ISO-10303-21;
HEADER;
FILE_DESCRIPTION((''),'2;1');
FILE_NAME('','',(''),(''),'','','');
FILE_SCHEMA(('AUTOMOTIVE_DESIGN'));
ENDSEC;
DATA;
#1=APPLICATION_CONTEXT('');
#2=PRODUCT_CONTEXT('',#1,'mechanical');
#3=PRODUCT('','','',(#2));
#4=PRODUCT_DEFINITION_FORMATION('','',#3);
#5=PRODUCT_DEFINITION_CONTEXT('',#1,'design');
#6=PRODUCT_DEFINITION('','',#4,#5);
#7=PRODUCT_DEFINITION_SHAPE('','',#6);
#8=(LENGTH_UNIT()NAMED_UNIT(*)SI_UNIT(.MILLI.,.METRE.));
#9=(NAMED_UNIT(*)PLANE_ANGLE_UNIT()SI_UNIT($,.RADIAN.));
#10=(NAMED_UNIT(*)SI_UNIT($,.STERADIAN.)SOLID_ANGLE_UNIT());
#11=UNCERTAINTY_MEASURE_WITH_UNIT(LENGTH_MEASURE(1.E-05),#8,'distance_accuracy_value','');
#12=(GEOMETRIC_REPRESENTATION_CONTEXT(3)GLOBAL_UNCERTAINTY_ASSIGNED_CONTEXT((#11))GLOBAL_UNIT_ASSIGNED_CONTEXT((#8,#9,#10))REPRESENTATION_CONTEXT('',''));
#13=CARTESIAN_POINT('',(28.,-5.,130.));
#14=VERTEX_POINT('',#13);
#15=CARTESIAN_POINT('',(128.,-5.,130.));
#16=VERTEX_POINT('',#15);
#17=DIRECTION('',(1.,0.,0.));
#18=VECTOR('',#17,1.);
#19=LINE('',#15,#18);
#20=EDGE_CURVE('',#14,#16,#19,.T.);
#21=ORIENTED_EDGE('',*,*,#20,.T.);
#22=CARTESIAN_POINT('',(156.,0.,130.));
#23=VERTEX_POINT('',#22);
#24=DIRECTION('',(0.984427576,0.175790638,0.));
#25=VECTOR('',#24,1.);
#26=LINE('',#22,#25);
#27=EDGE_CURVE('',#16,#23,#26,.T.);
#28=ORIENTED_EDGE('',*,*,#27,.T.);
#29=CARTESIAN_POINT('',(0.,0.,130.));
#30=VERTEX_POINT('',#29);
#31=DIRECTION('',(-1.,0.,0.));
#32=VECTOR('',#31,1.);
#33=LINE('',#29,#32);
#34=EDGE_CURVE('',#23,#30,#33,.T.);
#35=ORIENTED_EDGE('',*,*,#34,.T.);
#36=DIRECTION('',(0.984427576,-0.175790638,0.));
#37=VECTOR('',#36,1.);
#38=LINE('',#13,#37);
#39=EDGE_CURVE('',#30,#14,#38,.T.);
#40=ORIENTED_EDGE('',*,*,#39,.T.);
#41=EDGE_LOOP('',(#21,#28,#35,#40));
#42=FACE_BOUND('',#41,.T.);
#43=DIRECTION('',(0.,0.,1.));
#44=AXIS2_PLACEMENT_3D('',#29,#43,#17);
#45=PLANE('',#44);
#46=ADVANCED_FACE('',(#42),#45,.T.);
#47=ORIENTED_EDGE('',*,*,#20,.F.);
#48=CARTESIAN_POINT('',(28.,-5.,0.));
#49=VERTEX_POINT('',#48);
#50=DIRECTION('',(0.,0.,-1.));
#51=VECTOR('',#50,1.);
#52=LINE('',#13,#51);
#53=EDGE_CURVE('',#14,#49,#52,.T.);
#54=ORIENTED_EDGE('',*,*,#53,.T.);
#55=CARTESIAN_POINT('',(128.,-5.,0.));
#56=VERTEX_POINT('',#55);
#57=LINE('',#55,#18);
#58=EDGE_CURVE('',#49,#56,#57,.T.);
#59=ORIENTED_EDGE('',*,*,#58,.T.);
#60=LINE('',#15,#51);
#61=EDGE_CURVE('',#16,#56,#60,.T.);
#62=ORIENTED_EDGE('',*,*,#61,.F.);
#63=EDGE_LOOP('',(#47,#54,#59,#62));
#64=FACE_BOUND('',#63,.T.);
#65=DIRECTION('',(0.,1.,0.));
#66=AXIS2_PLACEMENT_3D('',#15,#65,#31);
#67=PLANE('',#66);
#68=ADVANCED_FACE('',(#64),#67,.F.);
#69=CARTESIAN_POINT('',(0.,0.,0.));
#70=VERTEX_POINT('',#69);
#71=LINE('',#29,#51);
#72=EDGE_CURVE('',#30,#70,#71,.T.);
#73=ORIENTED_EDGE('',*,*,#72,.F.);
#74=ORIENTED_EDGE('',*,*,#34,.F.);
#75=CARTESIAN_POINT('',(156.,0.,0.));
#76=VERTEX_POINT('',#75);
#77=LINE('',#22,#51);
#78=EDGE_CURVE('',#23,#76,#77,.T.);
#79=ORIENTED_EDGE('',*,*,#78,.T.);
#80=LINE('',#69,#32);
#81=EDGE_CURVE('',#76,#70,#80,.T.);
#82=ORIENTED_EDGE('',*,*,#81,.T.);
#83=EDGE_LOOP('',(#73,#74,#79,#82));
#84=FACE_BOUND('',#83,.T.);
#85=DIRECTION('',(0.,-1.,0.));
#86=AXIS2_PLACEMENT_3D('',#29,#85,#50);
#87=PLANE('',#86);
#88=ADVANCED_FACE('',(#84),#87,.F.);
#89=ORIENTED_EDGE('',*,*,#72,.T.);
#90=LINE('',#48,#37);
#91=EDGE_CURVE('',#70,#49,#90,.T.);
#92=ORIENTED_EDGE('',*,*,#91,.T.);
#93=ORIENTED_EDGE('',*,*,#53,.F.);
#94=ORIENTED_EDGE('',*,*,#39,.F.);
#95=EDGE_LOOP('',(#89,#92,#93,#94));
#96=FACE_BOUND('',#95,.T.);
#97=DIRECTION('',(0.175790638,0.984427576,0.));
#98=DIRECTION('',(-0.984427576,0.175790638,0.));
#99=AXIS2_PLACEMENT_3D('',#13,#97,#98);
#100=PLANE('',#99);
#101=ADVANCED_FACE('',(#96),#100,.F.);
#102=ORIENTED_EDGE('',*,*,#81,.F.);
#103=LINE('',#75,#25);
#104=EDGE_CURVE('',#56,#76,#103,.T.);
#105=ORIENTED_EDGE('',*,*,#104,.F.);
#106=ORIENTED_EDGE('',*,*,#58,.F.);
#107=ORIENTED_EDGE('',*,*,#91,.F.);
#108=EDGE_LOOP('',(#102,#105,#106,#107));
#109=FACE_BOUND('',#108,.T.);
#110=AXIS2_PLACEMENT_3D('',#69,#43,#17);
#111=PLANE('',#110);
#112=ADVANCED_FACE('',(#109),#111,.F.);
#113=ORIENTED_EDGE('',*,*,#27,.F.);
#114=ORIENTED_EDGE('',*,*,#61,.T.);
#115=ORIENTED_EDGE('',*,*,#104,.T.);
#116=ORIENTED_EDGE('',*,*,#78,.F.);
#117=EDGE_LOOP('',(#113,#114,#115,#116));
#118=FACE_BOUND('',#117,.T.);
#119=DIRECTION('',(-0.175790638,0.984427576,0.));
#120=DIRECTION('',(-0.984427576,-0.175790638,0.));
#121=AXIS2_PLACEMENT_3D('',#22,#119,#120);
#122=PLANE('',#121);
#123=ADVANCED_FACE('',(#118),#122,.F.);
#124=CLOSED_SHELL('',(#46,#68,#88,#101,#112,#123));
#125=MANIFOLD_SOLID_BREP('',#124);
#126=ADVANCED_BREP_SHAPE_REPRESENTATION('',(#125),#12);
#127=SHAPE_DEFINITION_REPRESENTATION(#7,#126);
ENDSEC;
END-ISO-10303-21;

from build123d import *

# Parameters (mm, degrees)
BOSS_EXTRUDE1_DEPTH = 130


with BuildPart() as part:
    # Sketch1 → Boss-Extrude1 (new body)
    with BuildSketch(Plane.XY):
        Polygon((0, 0), (156, 0), (128, -5), (28, -5), align=None)
    extrude(amount=BOSS_EXTRUDE1_DEPTH)


solid = part.part
